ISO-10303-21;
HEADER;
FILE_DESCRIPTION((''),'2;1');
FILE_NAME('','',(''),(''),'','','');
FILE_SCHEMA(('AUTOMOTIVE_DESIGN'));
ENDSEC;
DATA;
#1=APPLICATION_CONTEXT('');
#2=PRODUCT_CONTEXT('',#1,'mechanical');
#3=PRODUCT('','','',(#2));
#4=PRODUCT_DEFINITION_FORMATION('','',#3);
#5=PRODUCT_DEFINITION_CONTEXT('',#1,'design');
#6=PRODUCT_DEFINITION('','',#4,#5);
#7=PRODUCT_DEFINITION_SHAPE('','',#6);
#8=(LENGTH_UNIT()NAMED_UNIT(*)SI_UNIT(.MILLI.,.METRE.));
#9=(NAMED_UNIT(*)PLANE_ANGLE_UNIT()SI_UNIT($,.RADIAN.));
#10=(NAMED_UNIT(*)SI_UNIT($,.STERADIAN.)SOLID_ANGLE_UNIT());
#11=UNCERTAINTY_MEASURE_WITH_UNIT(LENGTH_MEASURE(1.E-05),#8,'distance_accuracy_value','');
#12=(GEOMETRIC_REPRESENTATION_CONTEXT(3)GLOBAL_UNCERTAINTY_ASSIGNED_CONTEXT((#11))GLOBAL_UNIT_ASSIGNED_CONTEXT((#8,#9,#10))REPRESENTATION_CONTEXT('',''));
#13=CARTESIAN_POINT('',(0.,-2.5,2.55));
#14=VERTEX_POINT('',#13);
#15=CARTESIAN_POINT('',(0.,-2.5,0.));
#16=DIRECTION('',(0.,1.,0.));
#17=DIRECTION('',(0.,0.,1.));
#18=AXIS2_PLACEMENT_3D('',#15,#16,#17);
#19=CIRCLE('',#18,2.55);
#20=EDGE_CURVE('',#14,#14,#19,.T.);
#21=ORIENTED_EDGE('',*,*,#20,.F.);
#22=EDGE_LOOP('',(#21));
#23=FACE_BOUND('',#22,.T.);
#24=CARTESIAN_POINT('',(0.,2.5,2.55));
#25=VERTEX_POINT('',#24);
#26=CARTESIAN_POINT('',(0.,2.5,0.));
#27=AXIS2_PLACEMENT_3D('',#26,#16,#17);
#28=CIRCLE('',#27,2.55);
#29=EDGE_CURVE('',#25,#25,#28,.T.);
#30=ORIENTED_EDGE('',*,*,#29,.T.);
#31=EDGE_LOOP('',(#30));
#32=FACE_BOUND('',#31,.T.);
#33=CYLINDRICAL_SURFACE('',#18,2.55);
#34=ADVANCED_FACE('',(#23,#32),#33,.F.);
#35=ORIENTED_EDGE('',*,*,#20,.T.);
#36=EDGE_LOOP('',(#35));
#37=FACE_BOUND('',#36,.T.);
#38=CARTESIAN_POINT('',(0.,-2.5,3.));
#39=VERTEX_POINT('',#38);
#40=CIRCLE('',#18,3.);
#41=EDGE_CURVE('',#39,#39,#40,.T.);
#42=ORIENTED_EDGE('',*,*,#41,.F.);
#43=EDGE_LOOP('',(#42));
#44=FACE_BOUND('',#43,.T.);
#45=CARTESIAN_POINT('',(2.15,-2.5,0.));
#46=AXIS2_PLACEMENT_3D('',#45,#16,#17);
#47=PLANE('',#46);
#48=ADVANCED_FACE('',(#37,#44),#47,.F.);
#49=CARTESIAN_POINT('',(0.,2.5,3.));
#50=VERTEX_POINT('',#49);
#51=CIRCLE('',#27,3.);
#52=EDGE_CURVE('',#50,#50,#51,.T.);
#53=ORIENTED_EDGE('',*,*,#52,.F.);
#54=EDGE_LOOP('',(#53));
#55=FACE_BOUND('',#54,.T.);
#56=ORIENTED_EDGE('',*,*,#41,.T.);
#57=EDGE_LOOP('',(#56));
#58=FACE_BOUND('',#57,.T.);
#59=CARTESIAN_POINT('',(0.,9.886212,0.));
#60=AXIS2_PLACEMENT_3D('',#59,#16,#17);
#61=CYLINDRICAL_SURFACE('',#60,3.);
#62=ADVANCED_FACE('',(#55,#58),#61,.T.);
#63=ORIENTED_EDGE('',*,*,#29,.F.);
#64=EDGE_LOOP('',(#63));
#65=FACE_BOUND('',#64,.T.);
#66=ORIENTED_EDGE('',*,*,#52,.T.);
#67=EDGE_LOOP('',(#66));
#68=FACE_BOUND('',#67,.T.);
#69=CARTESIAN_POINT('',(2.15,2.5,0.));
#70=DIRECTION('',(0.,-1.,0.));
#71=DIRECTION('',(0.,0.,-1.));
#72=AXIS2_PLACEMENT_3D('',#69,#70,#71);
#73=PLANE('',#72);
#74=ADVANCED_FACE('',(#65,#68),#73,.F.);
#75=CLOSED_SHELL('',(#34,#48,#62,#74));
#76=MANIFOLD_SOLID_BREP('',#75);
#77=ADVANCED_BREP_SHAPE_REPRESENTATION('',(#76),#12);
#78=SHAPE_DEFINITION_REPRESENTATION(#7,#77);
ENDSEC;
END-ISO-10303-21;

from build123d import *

# Parameters (mm, degrees)
SKETCH1_W          = 0.85
SKETCH1_H          = 5
SKETCH2_R          = 2.55
CUT_EXTRUDE1_DEPTH = 6


with BuildPart() as part:
    # Sketch1 → Revolve1 (revolve)
    with BuildSketch(Plane.XY):
        with Locations((2.575, 0)):
            Rectangle(SKETCH1_W, SKETCH1_H)
    revolve(axis=Axis((0, 9.8862121, 0), (0, -1, 0)))

    # Sketch2 → Cut-Extrude1 (cut, through all)
    with BuildSketch(Plane(origin=(0, 2.5, 0), x_dir=(1, 0, 0), z_dir=(0, 1, 0))):
        Circle(SKETCH2_R)
    extrude(amount=-CUT_EXTRUDE1_DEPTH, mode=Mode.SUBTRACT)


solid = part.part
